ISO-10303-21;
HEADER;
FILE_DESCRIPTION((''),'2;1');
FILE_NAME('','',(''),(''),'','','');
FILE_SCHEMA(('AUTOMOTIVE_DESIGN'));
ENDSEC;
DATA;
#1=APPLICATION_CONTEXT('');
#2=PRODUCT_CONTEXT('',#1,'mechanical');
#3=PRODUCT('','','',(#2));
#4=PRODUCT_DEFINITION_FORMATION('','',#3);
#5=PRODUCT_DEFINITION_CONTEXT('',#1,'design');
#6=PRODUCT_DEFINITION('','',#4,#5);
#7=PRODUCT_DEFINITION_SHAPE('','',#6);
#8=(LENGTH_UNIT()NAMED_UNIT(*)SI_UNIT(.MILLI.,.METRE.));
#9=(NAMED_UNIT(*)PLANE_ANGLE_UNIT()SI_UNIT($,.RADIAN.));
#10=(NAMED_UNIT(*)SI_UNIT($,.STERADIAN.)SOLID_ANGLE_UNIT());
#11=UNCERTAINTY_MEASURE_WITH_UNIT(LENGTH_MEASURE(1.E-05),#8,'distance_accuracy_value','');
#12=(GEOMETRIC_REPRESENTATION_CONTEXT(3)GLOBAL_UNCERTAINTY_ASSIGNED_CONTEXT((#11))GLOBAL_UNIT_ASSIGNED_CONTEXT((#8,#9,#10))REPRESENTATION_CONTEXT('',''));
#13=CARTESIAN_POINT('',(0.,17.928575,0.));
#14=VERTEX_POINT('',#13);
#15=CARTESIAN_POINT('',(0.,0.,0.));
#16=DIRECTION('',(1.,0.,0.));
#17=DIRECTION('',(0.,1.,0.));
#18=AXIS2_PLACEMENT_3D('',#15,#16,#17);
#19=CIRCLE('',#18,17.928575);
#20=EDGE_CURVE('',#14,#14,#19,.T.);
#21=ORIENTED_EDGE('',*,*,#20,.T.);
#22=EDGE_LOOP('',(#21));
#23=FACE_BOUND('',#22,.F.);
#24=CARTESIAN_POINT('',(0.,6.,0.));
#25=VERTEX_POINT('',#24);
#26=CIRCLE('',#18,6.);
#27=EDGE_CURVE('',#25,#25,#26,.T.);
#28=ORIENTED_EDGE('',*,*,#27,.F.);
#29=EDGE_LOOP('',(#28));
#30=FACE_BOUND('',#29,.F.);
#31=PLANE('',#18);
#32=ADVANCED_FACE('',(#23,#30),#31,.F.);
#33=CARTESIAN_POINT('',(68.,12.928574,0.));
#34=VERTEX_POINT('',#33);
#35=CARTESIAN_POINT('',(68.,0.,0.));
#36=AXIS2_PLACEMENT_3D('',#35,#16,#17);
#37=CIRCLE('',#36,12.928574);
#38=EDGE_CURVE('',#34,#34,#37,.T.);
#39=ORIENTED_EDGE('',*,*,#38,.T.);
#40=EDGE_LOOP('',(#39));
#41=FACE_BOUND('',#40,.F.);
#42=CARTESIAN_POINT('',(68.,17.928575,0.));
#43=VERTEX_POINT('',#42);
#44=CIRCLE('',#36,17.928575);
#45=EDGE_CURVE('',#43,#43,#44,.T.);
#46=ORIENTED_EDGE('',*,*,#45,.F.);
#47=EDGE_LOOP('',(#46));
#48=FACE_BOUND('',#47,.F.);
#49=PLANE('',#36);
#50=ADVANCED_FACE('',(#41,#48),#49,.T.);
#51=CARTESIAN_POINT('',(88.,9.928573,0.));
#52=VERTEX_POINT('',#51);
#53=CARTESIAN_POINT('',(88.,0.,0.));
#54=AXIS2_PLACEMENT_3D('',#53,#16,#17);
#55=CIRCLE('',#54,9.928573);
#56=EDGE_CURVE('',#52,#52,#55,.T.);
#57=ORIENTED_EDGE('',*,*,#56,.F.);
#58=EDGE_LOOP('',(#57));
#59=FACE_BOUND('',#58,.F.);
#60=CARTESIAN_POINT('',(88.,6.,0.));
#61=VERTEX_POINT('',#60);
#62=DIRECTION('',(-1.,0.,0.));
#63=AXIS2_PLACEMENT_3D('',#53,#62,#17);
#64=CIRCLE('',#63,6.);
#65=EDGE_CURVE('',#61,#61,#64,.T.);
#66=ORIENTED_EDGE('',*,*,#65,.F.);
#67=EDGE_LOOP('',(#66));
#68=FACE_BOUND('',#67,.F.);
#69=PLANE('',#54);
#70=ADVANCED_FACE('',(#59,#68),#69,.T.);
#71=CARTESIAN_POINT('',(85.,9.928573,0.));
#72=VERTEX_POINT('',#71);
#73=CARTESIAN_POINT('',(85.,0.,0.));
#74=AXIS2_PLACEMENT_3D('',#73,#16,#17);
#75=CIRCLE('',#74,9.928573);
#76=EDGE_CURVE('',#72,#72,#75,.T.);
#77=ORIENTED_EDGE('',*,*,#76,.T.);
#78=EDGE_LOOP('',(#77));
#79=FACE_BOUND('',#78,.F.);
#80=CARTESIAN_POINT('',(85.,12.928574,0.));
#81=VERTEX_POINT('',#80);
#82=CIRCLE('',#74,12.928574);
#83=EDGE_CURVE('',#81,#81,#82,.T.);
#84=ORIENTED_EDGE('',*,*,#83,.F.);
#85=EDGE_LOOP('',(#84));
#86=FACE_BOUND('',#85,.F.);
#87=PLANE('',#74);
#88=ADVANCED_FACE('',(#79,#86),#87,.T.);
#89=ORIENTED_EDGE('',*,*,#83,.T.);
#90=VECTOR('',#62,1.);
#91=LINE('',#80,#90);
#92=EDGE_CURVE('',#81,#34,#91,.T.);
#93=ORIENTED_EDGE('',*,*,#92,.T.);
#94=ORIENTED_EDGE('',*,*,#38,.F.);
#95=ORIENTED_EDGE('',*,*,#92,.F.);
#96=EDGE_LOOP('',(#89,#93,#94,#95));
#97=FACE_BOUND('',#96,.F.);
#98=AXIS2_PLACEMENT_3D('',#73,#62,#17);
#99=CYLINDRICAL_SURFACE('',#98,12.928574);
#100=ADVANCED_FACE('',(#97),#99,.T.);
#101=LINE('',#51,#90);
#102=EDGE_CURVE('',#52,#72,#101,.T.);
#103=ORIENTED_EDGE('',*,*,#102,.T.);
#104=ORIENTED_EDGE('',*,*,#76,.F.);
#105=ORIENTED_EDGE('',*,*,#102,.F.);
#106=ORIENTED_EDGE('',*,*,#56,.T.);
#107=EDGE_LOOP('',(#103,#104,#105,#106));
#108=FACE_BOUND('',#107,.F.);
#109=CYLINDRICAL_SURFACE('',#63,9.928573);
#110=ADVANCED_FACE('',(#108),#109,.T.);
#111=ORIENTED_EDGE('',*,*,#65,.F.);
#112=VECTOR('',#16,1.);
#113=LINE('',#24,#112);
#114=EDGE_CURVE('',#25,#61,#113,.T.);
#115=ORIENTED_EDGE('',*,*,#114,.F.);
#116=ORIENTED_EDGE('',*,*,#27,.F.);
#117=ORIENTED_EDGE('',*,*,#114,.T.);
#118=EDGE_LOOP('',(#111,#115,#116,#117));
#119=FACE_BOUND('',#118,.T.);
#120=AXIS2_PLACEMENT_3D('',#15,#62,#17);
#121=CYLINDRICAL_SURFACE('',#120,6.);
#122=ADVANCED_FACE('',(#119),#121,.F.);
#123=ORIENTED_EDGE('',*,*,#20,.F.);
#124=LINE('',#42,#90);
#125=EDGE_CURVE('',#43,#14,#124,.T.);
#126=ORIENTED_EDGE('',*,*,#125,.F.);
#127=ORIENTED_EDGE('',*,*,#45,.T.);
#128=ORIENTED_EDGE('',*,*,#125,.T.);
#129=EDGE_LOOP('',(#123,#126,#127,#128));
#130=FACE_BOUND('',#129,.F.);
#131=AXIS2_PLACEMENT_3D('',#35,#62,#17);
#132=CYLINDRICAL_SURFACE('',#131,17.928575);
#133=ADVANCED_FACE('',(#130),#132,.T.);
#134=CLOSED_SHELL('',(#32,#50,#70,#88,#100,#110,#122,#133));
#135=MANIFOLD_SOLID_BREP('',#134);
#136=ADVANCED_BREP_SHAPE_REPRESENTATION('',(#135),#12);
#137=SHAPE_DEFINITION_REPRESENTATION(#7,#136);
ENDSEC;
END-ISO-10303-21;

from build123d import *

# Parameters (mm, degrees)
F2_R     = 6
F3_DEPTH = 88.001


with BuildPart() as f1:
    # F0 (on Top) → F1 (revolve)
    with BuildSketch(Plane.XY):
        Polygon((0, 17.928575), (0, 0), (88, 0), (88, 9.928573), (85, 9.928573), (85, 12.928574), (68, 12.928574), (68, 17.928575), align=None)
    revolve(axis=Axis((44, 0, 0), (1, 0, 0)))

    # F2 (on Right) → F3 (cut, through all)
    with BuildSketch(Plane.YZ):
        Circle(F2_R)
    extrude(amount=F3_DEPTH, mode=Mode.SUBTRACT)


solid = f1.part
